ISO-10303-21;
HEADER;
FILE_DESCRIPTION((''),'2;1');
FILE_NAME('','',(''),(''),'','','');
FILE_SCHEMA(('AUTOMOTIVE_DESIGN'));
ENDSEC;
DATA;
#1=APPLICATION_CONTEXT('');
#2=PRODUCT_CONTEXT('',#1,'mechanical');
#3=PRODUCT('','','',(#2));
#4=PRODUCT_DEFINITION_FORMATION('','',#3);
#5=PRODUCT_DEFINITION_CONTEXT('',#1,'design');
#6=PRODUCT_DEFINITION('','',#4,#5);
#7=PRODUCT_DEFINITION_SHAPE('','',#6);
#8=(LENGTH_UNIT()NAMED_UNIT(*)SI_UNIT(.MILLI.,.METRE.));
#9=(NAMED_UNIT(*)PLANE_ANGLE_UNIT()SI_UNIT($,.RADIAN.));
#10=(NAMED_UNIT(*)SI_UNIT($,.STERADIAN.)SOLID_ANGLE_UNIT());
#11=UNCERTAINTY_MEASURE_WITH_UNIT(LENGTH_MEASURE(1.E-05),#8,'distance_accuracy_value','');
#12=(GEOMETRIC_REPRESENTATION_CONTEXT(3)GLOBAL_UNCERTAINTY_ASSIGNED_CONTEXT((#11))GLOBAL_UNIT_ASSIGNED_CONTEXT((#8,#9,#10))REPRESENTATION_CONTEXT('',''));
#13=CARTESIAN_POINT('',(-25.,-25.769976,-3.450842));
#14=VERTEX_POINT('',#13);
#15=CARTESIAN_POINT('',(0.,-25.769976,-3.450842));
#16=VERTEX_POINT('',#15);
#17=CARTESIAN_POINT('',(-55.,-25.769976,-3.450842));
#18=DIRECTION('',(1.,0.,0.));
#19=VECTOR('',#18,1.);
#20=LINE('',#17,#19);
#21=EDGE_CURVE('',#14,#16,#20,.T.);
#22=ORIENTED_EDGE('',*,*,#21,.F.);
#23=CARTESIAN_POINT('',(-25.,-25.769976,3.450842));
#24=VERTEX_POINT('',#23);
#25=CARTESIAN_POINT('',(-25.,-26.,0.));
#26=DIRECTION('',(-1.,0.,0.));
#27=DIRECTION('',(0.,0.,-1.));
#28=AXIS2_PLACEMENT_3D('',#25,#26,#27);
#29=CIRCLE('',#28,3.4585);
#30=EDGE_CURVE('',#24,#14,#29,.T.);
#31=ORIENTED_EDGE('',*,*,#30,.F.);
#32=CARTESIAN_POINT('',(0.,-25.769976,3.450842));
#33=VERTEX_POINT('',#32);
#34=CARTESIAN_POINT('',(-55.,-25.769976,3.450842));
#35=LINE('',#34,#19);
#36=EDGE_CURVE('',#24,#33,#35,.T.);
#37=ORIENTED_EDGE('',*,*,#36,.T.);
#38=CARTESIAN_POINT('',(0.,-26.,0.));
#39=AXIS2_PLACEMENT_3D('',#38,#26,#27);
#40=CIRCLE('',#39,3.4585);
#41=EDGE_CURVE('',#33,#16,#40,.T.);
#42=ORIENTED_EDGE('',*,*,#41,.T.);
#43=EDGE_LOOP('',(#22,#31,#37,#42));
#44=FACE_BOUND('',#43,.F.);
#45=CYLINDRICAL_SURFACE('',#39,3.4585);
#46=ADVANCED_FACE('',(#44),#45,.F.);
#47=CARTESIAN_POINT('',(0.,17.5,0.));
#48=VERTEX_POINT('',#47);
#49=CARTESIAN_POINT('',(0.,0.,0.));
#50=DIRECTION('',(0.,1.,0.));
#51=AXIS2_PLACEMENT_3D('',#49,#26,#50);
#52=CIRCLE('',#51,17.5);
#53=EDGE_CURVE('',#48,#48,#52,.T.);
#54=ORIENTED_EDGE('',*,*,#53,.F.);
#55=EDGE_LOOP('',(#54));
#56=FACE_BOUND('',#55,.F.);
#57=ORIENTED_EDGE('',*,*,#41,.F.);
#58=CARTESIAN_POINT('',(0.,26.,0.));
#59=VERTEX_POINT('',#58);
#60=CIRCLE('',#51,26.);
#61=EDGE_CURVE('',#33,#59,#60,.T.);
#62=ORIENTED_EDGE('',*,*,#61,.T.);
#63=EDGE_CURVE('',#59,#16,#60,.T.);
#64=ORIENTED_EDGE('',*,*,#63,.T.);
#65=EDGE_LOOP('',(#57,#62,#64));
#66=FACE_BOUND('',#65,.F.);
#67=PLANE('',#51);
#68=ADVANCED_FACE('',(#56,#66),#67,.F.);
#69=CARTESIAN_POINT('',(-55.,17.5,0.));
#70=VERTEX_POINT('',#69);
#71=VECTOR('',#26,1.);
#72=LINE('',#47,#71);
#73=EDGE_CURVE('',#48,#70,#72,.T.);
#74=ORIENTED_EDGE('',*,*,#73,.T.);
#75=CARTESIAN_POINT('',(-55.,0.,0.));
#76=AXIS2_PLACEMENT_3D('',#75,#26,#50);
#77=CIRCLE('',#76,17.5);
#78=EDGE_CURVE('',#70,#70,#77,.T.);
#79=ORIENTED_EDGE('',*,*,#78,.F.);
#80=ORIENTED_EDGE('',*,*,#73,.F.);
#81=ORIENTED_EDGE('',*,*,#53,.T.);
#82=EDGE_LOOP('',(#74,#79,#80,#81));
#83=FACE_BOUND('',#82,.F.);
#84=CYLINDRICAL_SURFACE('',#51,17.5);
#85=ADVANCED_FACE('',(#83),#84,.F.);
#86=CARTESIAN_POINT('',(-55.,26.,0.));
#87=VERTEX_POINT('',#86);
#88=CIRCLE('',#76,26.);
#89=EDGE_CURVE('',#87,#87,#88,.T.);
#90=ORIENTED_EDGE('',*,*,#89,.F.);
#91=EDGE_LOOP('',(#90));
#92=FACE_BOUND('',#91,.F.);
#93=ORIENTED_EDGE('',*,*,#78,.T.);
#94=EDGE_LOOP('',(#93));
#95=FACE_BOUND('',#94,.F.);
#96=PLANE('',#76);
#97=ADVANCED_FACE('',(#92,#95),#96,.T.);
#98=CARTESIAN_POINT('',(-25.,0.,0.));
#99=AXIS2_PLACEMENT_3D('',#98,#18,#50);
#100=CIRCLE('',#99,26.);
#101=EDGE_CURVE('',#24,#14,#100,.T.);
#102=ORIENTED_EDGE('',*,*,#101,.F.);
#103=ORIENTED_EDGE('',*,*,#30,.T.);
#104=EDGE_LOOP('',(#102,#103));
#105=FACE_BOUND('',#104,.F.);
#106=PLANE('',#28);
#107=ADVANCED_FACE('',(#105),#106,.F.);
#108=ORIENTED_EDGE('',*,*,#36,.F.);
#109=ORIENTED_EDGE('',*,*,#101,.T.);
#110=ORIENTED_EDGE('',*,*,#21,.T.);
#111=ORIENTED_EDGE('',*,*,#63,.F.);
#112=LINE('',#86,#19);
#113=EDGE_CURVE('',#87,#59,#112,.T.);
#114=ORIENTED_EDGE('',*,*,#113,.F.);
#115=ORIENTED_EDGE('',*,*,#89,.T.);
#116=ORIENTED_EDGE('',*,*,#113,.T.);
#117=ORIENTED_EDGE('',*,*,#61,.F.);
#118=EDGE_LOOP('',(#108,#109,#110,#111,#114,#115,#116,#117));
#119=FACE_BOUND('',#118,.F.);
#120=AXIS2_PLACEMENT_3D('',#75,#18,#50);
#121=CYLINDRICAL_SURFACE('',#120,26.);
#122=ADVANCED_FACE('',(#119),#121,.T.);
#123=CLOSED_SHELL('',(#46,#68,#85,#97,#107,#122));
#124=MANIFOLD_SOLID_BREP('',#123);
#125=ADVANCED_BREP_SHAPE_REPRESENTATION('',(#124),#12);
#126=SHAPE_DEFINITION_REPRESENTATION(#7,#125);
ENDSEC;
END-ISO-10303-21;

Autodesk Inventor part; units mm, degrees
ref_plane "YZ Plane" through (0, 0, 0) normal (1, 0, 0) x (0, 1, 0)
ref_plane "XZ Plane" through (0, 0, 0) normal (0, 1, 0) x (-1, 0, 0)
ref_plane "XY Plane" through (0, 0, 0) normal (0, 0, 1) x (1, 0, 0)
sketch "Sketch1" plane through (0, 0, 0) normal (0, 0, 1) x (1, 0, 0)
  line L0 (0, 0) -> (-55, 0)
  line L1 (-55, 26) -> (0, 26)
  line L2 (0, 26) -> (0, 17.5)
  line L3 (0, 17.5) -> (-55, 17.5)
  line L4 (-55, 17.5) -> (-55, 26)
  dimension "d0" = 35
  dimension "d1" = 52
  dimension "d2" = 55
revolve "Revolution1" add sketch "Sketch1" angle 360 about axis through (0, 0, 0) along (-1, 0, 0)
sketch "Sketch2" plane through (0, 0, 0) normal (1, 0, 0) x (0, 0, -1)
  line L0 (0, 0) -> (0, -26)
  circle A0 centre (0, 0) radius 26 projected
hole "Hole1" at (0, -26, 0) direction (-1, 0, 0) diameter 6.917 depth 25 thread size "M8x1" class "6H" standard "ANSI Metric M Profile"
properties part number "Втулка" material "Bronze, Cast"
